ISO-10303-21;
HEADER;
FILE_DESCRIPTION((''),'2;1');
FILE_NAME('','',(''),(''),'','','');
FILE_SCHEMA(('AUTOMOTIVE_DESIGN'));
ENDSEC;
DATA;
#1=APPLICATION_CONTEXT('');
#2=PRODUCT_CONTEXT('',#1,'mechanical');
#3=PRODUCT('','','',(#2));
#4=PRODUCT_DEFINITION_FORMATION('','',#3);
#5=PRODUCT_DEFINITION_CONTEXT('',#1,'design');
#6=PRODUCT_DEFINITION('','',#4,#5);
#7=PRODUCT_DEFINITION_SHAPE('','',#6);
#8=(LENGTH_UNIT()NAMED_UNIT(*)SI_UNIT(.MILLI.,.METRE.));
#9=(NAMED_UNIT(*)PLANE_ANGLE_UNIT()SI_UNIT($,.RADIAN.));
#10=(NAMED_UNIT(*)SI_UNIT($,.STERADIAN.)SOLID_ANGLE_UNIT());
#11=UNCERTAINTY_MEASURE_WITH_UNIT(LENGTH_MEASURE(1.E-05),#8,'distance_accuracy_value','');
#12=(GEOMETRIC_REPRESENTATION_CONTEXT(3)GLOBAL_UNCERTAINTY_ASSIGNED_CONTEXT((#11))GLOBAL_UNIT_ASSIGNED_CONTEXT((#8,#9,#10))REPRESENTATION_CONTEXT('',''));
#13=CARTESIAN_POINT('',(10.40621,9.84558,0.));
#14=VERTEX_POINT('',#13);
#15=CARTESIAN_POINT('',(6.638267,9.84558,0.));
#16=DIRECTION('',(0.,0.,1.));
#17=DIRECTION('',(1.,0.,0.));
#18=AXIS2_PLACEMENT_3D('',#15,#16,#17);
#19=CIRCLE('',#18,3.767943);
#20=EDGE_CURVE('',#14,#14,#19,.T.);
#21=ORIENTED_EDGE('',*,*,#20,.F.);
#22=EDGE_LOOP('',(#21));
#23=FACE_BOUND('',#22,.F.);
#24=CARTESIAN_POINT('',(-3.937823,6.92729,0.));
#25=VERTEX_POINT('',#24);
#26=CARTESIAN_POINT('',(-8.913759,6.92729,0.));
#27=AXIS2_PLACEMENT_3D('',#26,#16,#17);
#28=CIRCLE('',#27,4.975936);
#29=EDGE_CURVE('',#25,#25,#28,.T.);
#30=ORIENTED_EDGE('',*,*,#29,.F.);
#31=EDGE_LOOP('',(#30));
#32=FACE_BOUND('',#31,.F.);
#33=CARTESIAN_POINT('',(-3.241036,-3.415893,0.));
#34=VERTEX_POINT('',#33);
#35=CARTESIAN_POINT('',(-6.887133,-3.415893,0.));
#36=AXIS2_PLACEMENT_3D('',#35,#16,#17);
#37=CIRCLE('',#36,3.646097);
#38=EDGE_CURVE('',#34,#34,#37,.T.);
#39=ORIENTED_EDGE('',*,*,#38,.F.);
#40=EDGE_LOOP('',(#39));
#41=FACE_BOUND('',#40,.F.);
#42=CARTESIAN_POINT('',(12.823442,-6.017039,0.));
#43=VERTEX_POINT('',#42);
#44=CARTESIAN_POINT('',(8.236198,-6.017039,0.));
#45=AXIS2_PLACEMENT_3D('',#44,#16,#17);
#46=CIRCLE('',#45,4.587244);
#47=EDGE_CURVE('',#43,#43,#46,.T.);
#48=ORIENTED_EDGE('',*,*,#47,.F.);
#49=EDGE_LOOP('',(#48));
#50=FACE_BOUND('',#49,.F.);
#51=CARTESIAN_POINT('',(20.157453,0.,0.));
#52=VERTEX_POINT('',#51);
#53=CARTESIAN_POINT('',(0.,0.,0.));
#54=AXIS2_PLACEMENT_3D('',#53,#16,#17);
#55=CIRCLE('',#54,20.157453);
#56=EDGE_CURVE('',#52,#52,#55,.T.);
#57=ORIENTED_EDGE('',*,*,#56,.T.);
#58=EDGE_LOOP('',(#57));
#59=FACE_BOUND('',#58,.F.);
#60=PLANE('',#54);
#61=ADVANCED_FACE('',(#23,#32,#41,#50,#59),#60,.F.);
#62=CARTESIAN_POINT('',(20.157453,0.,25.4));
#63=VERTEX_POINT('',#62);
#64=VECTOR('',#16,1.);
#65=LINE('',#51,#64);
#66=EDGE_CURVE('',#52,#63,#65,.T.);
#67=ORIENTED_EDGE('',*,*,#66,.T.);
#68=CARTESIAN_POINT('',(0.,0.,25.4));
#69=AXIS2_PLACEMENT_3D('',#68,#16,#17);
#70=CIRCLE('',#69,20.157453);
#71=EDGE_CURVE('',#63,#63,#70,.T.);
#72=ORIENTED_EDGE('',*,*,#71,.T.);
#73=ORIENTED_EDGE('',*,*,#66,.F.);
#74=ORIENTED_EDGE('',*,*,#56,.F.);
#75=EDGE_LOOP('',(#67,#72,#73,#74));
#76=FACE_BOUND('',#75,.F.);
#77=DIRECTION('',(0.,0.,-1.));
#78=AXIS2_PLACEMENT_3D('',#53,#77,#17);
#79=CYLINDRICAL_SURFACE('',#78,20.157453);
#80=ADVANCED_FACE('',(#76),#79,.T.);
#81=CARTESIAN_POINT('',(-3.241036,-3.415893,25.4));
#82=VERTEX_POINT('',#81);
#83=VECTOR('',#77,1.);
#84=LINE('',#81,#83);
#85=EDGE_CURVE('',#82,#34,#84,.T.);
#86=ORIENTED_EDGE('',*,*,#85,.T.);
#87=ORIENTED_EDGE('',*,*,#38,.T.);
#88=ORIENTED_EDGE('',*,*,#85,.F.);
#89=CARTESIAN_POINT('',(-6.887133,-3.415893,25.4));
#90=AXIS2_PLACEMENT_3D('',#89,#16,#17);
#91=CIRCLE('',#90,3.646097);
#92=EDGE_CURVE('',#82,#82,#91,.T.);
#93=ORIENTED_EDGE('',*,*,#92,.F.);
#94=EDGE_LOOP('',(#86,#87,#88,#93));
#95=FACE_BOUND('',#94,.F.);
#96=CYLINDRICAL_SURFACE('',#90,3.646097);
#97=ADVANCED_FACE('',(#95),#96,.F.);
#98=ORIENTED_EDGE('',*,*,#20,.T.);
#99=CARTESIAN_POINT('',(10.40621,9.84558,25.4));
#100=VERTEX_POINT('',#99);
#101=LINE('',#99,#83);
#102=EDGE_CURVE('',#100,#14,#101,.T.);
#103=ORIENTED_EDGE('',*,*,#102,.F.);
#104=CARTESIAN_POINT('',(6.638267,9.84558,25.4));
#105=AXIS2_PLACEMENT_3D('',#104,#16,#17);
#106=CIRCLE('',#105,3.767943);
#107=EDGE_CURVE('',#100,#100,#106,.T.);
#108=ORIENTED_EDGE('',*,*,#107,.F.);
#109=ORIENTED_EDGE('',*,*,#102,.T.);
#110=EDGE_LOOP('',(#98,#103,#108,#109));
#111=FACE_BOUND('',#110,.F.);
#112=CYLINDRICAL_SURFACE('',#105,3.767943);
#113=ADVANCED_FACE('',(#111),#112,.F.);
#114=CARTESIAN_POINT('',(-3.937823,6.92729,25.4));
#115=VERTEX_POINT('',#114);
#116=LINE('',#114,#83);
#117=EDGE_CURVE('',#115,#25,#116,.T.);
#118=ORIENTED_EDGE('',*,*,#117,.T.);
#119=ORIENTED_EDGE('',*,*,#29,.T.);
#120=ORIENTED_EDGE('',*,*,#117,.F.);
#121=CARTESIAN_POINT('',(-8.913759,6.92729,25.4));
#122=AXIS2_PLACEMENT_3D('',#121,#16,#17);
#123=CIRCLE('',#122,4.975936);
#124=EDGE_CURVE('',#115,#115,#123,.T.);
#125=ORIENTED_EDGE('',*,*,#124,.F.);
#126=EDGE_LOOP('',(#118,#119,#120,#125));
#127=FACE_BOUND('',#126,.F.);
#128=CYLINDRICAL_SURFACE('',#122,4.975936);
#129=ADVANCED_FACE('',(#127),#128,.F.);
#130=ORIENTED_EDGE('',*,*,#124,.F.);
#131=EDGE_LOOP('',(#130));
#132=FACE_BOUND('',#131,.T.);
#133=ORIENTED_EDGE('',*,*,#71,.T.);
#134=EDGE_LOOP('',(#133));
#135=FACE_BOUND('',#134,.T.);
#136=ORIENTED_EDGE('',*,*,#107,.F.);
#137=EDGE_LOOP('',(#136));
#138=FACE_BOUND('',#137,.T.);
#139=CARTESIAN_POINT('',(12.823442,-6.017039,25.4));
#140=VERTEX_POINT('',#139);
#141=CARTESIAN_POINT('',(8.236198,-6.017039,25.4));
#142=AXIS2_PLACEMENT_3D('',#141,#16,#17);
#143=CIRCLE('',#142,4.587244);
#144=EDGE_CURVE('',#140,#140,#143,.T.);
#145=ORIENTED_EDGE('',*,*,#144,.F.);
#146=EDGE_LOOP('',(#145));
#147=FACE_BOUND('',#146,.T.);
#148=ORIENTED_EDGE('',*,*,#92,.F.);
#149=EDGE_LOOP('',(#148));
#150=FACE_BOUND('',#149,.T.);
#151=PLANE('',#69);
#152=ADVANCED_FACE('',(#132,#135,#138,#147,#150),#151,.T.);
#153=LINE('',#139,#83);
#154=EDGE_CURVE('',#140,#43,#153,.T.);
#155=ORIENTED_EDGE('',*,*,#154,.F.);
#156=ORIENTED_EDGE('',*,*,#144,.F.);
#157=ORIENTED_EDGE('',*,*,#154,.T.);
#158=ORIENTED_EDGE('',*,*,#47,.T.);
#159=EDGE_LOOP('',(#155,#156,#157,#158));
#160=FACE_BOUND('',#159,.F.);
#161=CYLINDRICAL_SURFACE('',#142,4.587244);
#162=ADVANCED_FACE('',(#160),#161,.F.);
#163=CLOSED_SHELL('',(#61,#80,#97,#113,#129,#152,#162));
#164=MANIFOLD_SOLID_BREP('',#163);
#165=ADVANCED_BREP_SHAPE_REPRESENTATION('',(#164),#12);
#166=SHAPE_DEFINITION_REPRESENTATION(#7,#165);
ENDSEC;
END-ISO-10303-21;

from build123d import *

# Parameters (mm, degrees)
F0_R     = 20.157453
F1_DEPTH = 25.4
F2_R     = 3.767943
F2_R_2   = 4.975936
F2_R_3   = 4.587244
F2_R_4   = 3.646097
F3_DEPTH = 25.4


with BuildPart() as f1:
    # F0 (on Top) → F1 (new body)
    with BuildSketch(Plane.XY):
        Circle(F0_R)
    extrude(amount=F1_DEPTH)

    # F2 (on face) → F3 (cut)
    with BuildSketch(Plane.XY.offset(25.4)):
        with Locations((6.638267, 9.84558)):
            Circle(F2_R)
        with Locations((-8.913759, 6.92729)):
            Circle(F2_R_2)
        with Locations((8.236198, -6.017039)):
            Circle(F2_R_3)
        with Locations((-6.887133, -3.415893)):
            Circle(F2_R_4)
    extrude(amount=-F3_DEPTH, mode=Mode.SUBTRACT)


solid = f1.part
